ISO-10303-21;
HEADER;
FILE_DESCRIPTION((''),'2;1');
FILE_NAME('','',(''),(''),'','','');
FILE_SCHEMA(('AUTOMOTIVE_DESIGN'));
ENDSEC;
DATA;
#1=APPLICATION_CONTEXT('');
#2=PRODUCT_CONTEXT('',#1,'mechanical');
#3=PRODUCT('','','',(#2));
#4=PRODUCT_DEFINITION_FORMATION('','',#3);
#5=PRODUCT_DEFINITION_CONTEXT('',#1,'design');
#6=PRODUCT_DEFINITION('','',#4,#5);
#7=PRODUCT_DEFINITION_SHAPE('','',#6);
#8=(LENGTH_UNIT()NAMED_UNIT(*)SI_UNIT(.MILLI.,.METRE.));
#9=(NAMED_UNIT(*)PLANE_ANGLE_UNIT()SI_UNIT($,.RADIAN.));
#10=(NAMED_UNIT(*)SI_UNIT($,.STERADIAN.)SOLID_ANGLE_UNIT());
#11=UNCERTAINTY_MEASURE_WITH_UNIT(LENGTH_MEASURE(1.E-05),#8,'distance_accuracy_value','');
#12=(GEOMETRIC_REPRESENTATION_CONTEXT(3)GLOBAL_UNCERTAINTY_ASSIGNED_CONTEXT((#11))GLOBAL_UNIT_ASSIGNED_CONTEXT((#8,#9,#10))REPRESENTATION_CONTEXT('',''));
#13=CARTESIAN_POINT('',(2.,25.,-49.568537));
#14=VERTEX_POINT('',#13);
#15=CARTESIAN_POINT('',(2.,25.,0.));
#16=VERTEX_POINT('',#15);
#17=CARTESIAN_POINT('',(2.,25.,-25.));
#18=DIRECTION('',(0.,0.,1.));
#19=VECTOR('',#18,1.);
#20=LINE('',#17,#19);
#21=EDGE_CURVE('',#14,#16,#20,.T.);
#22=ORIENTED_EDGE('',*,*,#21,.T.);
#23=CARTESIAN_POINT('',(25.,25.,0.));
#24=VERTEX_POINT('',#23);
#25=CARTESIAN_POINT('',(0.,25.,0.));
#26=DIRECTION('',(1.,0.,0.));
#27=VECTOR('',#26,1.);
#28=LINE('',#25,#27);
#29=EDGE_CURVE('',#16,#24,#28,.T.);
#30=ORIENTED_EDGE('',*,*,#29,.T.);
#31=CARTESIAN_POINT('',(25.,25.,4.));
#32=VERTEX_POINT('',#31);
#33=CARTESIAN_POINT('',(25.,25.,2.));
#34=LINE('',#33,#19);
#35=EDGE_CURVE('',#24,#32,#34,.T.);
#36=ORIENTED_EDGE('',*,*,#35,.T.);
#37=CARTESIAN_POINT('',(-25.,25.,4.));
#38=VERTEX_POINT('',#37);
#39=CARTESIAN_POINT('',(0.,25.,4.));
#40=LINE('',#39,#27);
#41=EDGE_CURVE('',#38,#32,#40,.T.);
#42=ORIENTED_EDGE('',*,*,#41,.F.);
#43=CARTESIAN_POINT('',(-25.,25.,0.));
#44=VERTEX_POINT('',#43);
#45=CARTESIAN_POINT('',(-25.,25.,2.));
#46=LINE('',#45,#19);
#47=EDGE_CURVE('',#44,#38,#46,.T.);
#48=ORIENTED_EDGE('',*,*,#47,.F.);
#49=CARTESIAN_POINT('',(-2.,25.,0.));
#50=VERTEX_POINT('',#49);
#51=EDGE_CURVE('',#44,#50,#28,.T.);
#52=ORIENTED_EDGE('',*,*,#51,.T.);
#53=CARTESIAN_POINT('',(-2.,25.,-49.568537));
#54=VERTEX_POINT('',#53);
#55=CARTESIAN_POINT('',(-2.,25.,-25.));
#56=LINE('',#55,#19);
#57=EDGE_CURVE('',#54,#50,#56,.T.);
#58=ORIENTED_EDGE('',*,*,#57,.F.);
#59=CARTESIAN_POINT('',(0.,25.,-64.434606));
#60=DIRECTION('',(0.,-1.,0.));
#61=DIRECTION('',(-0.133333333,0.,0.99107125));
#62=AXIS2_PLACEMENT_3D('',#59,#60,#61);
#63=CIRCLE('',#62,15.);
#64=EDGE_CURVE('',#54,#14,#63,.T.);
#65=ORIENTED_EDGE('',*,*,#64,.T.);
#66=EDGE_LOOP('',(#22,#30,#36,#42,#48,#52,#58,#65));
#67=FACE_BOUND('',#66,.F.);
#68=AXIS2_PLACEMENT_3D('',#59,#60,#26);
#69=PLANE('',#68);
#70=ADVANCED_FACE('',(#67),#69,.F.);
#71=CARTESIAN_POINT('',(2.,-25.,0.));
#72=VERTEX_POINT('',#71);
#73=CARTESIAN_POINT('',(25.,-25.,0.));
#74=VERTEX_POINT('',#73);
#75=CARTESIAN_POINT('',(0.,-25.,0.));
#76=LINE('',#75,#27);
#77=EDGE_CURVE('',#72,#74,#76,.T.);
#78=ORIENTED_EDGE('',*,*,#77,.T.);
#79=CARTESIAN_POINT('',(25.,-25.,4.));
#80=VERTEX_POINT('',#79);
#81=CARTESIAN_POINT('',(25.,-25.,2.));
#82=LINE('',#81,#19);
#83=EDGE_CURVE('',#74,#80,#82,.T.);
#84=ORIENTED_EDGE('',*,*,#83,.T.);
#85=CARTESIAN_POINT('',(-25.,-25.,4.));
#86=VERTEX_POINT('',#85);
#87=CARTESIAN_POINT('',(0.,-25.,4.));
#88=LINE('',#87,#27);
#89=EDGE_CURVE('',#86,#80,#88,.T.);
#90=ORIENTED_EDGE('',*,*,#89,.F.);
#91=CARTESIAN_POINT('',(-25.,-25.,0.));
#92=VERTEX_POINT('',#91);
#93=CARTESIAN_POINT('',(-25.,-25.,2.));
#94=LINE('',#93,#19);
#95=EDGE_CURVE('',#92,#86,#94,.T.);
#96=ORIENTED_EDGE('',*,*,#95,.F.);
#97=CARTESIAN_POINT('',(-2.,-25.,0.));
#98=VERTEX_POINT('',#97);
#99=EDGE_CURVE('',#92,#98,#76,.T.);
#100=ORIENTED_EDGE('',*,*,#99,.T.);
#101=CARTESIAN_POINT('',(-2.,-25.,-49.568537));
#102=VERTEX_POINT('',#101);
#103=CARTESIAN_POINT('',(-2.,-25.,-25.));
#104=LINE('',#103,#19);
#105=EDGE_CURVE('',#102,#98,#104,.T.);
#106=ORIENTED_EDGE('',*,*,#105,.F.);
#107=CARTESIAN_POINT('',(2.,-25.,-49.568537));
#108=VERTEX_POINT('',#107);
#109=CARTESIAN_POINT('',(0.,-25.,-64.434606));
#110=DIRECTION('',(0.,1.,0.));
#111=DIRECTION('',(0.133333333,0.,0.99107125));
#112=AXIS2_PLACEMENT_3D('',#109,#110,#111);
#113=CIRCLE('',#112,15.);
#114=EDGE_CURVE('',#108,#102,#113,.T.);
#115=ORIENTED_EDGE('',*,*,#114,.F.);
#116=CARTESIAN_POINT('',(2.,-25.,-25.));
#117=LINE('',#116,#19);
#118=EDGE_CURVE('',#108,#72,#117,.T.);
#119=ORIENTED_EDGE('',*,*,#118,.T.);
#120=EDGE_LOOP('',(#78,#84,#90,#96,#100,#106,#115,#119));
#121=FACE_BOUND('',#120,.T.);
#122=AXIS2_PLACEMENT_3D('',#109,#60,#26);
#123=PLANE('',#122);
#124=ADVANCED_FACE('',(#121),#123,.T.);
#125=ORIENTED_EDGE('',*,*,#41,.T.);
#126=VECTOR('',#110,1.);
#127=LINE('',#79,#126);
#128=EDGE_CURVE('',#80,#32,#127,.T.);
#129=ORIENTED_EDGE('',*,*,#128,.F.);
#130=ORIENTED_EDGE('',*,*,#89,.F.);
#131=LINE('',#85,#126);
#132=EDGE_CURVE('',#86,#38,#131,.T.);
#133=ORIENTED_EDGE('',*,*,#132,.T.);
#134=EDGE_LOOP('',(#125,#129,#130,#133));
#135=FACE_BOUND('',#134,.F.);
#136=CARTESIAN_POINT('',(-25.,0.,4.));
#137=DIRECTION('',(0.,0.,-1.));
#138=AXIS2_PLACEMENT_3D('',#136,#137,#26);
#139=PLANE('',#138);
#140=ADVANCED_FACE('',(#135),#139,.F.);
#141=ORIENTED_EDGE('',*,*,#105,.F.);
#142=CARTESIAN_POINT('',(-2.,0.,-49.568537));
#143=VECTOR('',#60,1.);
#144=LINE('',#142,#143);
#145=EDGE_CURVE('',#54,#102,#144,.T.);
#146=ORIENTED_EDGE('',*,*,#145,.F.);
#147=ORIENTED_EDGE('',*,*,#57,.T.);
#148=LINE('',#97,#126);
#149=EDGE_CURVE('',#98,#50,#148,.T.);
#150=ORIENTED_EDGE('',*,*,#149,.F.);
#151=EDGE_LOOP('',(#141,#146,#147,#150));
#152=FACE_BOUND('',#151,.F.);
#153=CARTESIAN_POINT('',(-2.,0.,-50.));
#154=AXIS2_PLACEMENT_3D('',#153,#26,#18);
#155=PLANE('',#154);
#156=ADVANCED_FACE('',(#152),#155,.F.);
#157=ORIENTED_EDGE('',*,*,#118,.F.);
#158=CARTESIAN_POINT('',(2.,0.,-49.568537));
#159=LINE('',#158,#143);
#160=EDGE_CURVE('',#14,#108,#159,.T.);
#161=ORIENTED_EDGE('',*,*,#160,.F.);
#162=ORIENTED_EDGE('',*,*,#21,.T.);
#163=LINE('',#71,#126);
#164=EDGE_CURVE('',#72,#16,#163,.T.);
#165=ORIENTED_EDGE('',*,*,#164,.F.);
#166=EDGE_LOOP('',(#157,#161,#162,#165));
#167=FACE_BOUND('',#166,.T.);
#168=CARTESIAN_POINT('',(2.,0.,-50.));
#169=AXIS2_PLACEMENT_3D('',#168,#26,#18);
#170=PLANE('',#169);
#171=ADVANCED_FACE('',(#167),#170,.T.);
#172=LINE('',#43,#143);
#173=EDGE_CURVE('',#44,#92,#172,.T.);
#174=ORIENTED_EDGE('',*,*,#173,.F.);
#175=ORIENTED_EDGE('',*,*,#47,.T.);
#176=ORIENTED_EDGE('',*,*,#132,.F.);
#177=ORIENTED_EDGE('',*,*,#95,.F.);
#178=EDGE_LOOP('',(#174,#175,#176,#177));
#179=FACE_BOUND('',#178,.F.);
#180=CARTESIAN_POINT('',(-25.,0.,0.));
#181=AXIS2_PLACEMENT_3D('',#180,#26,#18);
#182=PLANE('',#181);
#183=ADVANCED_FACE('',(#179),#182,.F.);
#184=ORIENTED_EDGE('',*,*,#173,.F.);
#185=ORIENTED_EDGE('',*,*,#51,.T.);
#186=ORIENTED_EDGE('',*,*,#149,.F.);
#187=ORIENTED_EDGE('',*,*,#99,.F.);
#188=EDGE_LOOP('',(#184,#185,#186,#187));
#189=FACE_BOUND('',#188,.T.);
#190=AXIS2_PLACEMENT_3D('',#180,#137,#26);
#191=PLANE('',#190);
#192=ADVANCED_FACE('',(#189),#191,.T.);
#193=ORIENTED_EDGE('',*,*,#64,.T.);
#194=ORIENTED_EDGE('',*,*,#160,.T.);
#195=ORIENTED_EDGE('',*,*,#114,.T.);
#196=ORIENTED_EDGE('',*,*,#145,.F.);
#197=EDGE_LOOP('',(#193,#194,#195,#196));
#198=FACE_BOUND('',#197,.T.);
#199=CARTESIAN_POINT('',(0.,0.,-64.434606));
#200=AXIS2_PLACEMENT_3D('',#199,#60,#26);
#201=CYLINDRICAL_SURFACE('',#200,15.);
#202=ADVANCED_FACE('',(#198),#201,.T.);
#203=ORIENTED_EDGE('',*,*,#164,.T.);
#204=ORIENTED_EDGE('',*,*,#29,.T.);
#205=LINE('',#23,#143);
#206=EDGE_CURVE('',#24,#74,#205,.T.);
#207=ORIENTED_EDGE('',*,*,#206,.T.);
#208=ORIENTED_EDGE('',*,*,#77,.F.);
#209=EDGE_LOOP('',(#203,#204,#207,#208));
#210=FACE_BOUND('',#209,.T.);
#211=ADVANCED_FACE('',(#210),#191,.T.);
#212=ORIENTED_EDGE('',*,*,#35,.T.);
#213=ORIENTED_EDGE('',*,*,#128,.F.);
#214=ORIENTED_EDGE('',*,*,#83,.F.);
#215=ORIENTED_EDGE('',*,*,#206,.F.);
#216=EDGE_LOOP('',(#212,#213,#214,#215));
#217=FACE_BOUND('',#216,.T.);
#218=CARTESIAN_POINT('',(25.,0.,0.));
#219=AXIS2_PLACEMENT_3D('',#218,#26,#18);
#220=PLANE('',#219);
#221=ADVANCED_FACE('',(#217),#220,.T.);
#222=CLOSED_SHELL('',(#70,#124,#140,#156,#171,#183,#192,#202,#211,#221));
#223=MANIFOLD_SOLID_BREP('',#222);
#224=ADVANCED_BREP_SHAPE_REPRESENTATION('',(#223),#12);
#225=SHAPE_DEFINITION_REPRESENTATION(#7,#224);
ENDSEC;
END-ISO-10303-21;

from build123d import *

# Parameters (mm, degrees)
F0_W     = 4
F0_H     = 50
F1_DEPTH = 25
F2_W     = 50
F2_H     = 4
F3_DEPTH = 25
F4_R     = 15
F5_DEPTH = 25


with BuildPart() as f1:
    # F0 (on Front) → F1 (new body, symmetric)
    with BuildSketch(Plane.XZ):
        with Locations((0, -25)):
            Rectangle(F0_W, F0_H)
    extrude(amount=F1_DEPTH, both=True)

    # F2 (on Front) → F3 (join, symmetric)
    with BuildSketch(Plane.XZ):
        with Locations((0, 2)):
            Rectangle(F2_W, F2_H)
    extrude(amount=F3_DEPTH, both=True)

    # F4 (on Front) → F5 (join, symmetric)
    with BuildSketch(Plane.XZ):
        with Locations((0, -64.434606)):
            Circle(F4_R)
    extrude(amount=F5_DEPTH, both=True)


solid = f1.part
